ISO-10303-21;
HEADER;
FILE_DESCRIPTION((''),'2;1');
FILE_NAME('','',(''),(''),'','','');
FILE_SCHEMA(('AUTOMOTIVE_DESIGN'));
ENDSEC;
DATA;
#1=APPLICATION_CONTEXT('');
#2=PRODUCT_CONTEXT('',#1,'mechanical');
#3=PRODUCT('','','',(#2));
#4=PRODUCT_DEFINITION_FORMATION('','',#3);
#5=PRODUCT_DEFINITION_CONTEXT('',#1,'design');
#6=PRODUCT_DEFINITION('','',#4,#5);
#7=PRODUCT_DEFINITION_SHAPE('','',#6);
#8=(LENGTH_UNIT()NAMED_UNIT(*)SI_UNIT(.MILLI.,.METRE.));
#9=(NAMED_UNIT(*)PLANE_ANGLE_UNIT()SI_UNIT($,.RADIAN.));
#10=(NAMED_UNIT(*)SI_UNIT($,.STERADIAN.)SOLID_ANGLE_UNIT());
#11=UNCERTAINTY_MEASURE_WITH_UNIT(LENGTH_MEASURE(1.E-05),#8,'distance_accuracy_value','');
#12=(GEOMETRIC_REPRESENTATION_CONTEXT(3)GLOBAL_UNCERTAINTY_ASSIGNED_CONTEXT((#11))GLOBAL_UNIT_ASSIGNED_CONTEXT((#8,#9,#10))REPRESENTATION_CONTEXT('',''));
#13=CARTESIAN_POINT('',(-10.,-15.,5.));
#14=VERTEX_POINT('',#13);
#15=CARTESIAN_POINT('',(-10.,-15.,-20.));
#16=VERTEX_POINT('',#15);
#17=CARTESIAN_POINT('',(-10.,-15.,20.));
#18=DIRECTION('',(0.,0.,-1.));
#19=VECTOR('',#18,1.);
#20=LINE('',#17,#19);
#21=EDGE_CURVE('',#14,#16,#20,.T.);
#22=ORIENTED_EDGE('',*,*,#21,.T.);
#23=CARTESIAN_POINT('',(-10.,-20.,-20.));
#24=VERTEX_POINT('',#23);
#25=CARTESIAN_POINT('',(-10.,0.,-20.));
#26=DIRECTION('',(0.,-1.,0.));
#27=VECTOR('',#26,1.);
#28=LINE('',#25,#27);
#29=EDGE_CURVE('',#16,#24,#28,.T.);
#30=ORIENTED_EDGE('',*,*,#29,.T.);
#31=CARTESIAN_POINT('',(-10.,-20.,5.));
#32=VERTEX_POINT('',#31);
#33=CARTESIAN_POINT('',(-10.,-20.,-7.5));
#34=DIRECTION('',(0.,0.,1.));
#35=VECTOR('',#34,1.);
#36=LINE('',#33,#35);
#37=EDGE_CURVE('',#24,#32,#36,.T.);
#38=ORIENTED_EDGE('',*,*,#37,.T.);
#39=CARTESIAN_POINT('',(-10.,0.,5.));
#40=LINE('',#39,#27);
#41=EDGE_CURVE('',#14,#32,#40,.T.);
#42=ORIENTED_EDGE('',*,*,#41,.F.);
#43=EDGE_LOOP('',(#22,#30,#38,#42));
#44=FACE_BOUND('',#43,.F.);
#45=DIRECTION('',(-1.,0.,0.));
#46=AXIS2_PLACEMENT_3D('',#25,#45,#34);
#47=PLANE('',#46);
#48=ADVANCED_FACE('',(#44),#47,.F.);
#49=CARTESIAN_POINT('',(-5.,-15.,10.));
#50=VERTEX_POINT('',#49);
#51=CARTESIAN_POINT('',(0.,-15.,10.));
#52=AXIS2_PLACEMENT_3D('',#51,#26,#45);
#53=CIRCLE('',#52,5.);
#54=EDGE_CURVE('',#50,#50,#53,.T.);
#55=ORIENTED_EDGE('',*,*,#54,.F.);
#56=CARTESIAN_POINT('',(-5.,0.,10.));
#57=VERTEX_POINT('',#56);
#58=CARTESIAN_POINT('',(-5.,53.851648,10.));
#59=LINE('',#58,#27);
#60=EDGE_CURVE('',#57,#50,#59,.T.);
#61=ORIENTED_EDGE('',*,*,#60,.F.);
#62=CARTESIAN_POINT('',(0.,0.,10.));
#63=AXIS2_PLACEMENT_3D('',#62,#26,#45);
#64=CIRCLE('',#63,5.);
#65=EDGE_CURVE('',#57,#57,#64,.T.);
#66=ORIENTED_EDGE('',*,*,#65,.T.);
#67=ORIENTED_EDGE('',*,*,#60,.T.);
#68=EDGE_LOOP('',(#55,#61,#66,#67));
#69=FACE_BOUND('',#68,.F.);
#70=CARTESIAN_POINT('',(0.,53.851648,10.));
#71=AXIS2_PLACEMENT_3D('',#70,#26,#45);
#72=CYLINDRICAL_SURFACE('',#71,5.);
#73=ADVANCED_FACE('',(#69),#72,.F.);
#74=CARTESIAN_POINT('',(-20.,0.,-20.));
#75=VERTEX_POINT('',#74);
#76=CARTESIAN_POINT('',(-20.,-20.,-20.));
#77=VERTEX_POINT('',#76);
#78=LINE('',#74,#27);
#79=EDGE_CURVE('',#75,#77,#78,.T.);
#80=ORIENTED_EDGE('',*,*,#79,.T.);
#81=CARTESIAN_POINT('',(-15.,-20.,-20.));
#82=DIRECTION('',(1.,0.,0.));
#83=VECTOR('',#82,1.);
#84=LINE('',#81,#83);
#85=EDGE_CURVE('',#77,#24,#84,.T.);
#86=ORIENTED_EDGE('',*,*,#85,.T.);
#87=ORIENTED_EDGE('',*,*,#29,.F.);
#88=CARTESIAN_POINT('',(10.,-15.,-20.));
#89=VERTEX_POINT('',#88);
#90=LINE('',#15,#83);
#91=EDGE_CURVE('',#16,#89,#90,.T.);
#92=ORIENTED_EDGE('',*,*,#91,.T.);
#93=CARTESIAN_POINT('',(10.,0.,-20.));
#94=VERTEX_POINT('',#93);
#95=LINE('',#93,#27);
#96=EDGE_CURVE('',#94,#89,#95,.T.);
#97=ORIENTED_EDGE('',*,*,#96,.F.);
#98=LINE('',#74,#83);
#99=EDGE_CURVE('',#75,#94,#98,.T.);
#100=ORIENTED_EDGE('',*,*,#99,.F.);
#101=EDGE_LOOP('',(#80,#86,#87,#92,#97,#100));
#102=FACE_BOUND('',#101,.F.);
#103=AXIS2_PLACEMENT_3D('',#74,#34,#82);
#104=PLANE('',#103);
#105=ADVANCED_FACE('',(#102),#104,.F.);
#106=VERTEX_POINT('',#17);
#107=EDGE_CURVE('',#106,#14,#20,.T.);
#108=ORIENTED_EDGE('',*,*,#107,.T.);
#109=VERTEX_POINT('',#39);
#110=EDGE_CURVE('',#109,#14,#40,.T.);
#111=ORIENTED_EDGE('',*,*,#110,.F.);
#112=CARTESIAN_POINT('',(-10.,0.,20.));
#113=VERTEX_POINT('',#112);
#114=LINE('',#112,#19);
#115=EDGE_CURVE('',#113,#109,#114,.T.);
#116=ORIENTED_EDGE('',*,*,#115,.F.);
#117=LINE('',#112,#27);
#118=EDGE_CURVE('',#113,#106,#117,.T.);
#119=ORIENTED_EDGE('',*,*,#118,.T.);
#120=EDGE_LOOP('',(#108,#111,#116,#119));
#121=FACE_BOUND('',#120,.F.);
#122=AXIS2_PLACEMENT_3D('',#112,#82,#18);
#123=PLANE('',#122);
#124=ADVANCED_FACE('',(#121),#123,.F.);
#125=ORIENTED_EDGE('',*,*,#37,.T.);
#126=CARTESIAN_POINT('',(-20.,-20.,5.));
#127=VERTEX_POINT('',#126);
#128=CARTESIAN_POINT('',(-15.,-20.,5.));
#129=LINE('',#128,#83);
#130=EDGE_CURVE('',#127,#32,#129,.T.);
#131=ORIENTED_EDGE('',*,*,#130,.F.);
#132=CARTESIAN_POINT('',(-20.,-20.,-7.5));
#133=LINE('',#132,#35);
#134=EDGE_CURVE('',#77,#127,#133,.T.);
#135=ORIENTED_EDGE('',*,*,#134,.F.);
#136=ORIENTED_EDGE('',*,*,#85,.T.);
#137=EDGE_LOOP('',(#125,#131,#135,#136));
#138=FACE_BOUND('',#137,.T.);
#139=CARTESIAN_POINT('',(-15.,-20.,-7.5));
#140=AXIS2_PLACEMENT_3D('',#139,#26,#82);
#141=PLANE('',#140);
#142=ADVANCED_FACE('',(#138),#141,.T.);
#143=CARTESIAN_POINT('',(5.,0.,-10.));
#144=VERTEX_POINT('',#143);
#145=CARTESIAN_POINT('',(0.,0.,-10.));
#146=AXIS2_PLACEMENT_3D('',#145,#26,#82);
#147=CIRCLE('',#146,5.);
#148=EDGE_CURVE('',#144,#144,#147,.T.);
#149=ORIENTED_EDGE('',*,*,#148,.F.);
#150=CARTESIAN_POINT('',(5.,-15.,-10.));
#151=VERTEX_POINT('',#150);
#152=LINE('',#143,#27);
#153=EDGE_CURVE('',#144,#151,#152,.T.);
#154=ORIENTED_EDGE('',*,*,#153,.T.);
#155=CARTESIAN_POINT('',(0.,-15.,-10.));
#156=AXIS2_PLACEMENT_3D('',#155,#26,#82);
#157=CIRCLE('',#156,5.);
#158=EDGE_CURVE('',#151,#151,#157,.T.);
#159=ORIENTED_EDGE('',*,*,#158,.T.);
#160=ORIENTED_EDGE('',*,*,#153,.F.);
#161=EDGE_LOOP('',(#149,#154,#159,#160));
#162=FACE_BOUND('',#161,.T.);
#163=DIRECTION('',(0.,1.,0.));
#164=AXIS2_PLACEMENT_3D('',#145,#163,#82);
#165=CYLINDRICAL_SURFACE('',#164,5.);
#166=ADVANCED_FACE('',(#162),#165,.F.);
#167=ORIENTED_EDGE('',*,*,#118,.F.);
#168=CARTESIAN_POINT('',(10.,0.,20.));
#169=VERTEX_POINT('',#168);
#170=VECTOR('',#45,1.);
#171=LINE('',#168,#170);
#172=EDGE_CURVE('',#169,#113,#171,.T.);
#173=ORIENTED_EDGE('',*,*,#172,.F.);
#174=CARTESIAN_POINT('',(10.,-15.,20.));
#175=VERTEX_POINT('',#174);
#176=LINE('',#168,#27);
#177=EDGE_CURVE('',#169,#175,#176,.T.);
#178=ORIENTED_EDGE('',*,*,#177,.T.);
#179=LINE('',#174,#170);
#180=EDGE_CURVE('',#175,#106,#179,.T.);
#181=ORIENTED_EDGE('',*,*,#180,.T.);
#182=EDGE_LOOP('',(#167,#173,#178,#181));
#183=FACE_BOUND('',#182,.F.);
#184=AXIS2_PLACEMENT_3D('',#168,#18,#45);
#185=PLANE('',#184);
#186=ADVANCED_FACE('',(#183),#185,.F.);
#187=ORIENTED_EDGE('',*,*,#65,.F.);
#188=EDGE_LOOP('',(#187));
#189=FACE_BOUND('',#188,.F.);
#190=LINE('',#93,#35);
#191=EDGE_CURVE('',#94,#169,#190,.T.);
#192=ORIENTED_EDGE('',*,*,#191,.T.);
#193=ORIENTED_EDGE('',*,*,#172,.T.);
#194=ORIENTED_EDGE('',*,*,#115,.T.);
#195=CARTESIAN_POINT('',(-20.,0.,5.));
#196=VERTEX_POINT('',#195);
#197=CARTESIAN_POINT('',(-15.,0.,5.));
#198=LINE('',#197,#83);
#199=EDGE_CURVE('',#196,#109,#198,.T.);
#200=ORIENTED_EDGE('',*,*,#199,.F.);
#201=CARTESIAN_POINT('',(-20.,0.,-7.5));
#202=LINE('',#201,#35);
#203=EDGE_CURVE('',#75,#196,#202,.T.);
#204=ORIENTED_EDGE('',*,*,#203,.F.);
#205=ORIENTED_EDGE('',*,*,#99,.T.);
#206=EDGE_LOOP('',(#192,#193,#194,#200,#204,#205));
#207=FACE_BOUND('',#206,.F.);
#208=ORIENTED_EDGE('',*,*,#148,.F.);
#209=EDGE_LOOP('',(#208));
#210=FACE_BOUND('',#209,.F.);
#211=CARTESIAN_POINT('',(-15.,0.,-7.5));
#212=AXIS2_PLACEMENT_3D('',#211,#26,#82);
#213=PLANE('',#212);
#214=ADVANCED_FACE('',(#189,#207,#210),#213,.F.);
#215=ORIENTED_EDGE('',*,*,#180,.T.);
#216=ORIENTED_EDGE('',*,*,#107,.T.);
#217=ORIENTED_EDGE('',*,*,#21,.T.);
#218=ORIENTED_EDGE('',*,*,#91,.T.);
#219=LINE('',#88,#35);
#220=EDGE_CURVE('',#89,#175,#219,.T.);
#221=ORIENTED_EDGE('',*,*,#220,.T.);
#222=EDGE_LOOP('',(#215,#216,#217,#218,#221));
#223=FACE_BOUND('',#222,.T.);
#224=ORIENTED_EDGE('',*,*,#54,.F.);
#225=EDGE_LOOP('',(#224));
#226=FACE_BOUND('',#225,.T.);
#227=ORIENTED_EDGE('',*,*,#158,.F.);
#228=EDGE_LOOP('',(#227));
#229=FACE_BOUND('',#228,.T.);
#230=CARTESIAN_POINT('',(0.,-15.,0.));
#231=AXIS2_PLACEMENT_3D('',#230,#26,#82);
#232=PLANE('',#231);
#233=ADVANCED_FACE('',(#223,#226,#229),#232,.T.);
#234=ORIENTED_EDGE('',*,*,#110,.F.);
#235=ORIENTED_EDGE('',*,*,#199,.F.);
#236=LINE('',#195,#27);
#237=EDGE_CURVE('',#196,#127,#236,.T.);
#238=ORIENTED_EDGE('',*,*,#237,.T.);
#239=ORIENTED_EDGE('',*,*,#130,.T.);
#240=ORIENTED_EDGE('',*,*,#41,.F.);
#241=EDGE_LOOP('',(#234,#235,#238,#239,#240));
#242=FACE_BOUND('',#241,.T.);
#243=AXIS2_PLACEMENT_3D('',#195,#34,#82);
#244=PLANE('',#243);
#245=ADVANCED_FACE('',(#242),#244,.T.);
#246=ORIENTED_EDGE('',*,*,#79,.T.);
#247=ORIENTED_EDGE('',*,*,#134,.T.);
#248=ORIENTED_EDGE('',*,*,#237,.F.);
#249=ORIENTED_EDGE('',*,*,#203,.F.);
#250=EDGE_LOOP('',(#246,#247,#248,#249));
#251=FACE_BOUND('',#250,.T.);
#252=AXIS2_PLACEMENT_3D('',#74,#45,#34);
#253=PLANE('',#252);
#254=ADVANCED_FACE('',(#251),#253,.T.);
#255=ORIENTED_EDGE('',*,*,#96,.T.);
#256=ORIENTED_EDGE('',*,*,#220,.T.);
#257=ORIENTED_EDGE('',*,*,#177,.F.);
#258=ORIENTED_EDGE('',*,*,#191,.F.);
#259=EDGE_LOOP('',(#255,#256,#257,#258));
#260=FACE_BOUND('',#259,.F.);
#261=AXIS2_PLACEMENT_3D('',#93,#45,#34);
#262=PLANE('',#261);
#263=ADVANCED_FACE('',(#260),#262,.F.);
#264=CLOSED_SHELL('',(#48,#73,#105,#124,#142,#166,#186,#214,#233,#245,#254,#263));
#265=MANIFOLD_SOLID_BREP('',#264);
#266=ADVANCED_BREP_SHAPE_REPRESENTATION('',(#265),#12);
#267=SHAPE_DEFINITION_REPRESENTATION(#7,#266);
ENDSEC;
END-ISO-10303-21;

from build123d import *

# Parameters (mm, degrees)
F0_R     = 5
F1_DEPTH = 15
F0_W     = 10
F0_H     = 25
F2_DEPTH = 20
F3_R     = 5
F4_DEPTH = 25
F5_D     = 10


with BuildPart() as f1:
    # F0 (on Front) → F1 (new body)
    with BuildSketch(Plane.XZ):
        Polygon((10, 20), (-10, 20), (-10, 5), (-10, -20), (10, -20), align=None)
        with Locations((0, -10)):
            Circle(F0_R, mode=Mode.SUBTRACT)
    extrude(amount=F1_DEPTH)

    # F0 (on Front) → F2 (join)
    with BuildSketch(Plane.XZ):
        with Locations((-15, -7.5)):
            Rectangle(F0_W, F0_H)
    extrude(amount=F2_DEPTH)

    # F3 (on Front) → F4 (cut)
    with BuildSketch(Plane.XZ):
        with Locations((0, 10)):
            Circle(F3_R)
    extrude(amount=-F4_DEPTH, mode=Mode.SUBTRACT)

    # F5 (through all)
    with Locations(Plane(origin=(0, 0, 0), x_dir=(1, 0, 0), z_dir=(0, 1, 0))):
        with Locations((0, -10)):
            Hole(F5_D / 2)


solid = f1.part
